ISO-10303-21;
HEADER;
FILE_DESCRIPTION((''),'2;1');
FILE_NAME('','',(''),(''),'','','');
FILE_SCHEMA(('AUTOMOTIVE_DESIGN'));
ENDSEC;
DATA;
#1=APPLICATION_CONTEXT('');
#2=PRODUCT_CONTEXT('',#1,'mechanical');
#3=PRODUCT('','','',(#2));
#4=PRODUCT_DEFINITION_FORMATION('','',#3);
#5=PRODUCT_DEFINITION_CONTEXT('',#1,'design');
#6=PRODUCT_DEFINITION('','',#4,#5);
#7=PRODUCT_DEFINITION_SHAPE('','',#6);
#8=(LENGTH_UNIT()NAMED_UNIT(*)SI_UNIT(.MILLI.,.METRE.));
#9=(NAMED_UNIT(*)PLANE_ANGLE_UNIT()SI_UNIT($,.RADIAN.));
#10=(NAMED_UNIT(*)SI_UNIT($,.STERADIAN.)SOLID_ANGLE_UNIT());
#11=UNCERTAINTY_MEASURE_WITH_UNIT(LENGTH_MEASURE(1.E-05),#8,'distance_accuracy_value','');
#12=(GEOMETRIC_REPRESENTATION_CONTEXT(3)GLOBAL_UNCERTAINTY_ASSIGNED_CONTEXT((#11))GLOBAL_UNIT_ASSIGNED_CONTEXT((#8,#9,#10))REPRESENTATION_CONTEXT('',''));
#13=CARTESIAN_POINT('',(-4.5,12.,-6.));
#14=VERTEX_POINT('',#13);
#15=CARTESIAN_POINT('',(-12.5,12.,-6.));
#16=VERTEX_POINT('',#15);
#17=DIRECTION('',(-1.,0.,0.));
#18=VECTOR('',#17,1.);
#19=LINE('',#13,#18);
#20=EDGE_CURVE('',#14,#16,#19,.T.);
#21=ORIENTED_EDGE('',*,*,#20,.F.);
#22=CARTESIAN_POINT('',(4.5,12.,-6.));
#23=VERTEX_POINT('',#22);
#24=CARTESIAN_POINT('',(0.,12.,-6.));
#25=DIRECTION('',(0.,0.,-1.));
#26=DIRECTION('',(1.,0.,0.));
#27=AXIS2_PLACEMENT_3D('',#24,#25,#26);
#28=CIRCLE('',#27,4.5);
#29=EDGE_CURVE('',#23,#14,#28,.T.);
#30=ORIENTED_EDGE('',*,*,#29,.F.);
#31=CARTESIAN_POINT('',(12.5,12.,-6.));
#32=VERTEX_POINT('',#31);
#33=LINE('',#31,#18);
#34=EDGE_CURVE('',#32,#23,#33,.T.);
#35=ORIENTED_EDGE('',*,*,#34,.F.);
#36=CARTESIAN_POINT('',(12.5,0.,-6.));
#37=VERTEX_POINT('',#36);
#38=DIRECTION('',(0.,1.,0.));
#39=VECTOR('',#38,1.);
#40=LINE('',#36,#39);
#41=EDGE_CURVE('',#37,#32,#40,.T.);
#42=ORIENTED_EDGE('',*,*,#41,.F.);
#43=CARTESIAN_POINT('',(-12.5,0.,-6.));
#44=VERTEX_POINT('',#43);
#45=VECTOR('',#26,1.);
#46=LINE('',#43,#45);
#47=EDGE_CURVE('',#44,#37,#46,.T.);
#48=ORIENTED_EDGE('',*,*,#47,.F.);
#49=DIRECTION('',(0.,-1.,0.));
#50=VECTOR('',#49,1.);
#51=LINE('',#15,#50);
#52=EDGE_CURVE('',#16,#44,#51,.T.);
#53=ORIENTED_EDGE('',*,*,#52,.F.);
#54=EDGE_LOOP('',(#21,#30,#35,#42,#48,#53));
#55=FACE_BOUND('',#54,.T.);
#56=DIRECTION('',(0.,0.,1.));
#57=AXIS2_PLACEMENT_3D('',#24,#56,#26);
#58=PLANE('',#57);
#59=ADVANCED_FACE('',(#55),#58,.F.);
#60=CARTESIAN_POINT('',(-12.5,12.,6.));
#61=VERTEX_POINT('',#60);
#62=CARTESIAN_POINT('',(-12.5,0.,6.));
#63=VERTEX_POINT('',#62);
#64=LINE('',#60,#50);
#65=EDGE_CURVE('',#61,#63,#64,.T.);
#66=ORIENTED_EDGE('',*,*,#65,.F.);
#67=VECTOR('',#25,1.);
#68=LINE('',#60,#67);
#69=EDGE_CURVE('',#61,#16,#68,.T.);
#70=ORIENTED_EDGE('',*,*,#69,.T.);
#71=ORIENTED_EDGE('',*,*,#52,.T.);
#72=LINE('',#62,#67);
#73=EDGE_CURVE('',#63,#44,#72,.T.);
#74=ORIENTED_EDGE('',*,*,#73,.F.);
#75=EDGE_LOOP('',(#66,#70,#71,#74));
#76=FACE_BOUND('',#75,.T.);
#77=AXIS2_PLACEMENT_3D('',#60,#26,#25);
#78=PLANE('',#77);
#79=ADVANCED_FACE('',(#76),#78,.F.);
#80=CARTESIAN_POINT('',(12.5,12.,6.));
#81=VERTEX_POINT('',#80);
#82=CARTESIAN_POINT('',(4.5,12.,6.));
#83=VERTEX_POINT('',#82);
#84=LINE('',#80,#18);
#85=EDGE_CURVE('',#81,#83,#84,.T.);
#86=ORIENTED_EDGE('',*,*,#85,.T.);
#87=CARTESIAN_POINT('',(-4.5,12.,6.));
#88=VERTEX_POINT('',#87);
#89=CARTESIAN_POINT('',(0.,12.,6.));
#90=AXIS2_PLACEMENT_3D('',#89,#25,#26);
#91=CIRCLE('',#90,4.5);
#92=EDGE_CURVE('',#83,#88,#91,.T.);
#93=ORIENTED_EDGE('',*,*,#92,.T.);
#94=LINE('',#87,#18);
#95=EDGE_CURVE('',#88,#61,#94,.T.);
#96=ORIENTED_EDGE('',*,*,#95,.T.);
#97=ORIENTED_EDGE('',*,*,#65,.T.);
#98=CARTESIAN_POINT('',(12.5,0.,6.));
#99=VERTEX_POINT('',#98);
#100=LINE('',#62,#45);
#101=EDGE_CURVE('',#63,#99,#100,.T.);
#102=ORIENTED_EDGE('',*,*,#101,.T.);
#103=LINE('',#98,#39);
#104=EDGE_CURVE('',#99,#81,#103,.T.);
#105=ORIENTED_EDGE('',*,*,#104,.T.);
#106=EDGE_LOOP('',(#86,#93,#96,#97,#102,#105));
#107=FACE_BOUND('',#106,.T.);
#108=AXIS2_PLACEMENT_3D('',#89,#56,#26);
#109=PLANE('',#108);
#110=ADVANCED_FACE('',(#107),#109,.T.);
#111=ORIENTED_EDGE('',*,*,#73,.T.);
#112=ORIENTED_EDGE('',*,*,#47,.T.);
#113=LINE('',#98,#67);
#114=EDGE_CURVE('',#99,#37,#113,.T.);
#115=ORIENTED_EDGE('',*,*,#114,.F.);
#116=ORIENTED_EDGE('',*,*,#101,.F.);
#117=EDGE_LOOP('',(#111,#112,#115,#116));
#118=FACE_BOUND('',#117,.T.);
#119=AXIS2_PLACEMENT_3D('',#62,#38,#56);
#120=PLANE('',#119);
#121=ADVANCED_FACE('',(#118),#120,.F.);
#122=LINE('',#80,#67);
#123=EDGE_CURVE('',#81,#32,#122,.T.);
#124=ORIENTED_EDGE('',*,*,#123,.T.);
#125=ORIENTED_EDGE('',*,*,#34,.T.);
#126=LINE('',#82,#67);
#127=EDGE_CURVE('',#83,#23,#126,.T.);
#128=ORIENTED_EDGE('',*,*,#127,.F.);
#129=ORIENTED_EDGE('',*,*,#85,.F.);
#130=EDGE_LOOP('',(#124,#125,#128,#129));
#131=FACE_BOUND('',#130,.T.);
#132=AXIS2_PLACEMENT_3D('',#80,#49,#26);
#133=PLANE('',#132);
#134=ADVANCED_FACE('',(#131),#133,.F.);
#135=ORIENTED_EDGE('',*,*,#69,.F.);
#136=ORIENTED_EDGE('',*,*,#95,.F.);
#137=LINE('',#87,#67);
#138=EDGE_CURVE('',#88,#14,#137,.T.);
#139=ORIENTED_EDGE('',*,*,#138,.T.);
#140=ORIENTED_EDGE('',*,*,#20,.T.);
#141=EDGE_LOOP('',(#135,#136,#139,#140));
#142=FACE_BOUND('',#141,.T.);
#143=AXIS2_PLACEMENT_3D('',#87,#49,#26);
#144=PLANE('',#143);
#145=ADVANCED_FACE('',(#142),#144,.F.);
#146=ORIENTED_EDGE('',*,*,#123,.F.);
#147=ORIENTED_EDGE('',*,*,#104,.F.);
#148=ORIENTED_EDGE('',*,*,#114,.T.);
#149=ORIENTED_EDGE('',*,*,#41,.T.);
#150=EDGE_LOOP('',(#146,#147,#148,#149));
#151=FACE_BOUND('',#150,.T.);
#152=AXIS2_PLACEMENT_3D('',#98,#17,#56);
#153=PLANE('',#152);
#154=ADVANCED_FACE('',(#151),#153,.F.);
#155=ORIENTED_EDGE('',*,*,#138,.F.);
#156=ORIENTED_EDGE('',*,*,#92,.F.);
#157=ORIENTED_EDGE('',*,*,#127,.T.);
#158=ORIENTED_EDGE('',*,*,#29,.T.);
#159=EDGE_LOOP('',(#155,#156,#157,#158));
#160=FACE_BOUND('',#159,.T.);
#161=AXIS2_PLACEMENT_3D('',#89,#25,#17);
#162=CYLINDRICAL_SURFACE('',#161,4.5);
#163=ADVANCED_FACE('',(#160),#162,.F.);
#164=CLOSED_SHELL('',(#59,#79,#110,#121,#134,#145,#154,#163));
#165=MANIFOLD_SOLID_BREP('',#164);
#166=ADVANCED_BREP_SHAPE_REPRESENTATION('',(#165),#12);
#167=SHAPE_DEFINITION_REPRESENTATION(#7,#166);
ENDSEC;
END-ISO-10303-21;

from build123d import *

# Parameters (mm, degrees)
BOSS_EXTRUDE1_DEPTH = 6


with BuildPart() as part:
    # Sketch1 → Boss-Extrude1 (new, symmetric)
    with BuildSketch(Plane.XY):
        with BuildLine():
            Line((-12.5, 0), (12.5, 0))
            Line((12.5, 0), (12.5, 12))
            Line((12.5, 12), (4.5, 12))
            ThreePointArc((4.5, 12), (0, 7.5), (-4.5, 12))
            Line((-4.5, 12), (-12.5, 12))
            Line((-12.5, 12), (-12.5, 0))
        make_face()
    extrude(amount=BOSS_EXTRUDE1_DEPTH, both=True)


solid = part.part
